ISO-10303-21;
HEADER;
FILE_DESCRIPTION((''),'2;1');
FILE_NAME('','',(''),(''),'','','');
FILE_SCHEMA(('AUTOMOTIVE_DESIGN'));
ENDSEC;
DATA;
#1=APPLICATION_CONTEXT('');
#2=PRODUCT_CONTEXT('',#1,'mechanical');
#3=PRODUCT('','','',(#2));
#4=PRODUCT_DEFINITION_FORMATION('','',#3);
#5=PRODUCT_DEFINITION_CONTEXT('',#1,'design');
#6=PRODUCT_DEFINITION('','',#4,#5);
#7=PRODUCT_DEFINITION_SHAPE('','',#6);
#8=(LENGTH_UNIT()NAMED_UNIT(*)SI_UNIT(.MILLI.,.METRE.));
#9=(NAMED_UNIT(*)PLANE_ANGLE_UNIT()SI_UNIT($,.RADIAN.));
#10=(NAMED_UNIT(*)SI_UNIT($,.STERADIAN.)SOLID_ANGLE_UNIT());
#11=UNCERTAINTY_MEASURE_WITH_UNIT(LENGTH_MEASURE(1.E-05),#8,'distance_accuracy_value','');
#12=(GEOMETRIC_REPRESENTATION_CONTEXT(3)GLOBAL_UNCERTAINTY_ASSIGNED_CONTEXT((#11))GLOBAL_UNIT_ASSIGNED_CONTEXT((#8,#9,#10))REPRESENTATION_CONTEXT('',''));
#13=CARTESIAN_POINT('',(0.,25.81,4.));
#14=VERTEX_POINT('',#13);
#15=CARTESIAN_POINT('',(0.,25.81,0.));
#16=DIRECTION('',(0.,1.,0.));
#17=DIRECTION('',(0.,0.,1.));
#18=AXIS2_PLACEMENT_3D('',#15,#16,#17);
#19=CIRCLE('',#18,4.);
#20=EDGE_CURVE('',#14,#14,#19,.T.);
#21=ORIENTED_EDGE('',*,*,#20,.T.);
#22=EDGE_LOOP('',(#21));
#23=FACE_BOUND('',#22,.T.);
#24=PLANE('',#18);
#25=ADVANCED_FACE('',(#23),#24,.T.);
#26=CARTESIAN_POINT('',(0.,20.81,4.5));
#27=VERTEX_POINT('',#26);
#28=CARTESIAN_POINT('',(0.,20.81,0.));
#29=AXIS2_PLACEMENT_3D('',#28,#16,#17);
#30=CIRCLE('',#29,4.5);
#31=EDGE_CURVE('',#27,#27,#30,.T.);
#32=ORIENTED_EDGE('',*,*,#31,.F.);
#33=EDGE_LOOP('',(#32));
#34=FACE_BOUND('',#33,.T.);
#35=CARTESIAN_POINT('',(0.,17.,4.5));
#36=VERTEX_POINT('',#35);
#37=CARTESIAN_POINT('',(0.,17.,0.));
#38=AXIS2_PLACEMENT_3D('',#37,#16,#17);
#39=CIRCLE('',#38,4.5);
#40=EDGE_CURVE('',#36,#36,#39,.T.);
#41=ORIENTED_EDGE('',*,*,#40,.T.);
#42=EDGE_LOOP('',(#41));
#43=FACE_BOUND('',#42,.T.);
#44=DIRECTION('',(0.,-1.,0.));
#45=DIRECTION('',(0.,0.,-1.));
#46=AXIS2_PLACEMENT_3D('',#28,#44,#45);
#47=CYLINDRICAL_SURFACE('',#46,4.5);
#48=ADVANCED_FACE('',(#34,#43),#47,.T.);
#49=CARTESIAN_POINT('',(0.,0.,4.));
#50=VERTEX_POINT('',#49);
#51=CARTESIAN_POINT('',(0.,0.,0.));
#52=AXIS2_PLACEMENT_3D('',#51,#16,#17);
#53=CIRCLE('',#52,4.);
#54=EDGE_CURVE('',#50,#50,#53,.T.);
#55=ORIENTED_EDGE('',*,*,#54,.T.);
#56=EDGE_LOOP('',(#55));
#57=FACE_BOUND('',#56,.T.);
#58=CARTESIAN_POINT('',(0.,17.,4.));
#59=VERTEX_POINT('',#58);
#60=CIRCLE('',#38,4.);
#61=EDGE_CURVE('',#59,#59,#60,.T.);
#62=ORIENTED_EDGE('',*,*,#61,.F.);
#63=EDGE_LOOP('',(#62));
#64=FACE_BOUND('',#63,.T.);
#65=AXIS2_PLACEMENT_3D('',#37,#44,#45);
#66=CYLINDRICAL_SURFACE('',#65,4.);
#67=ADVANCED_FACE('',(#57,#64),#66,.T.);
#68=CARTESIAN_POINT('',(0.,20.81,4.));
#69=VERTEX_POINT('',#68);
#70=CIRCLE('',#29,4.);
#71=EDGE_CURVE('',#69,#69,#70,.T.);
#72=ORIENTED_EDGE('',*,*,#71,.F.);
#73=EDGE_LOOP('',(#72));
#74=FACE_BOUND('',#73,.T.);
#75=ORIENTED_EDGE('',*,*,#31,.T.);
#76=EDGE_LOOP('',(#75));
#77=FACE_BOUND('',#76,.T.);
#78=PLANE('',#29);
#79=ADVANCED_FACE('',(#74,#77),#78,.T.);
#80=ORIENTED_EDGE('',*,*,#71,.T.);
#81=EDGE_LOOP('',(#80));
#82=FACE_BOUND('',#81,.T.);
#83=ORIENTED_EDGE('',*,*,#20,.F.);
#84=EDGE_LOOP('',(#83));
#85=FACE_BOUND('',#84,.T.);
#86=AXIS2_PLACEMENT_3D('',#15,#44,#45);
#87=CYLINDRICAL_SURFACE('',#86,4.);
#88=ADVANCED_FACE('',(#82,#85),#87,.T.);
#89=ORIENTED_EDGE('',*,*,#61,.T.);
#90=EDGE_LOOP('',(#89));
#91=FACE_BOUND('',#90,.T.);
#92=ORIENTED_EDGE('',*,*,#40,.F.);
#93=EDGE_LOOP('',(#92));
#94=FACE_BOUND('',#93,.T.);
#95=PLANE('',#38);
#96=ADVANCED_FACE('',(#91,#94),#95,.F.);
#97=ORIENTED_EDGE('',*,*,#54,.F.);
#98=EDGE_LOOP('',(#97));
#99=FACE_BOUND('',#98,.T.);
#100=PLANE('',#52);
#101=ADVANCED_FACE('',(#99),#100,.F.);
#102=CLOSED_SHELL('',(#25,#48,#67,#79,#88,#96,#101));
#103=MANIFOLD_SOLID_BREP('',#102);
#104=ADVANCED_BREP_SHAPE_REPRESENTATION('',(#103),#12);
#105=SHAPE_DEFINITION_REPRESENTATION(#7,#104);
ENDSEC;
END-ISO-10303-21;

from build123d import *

# Parameters (mm, degrees)
SKETCH1_R           = 4
BOSS_EXTRUDE1_DEPTH = 17
SKETCH2_R           = 4.5
BOSS_EXTRUDE2_DEPTH = 3.81
SKETCH3_R           = 4
BOSS_EXTRUDE3_DEPTH = 5


with BuildPart() as part:
    # Sketch1 → Boss-Extrude1 (new body)
    with BuildSketch(Plane(origin=(0, 0, 0), x_dir=(1, 0, 0), z_dir=(0, 1, 0))):
        Circle(SKETCH1_R)
    extrude(amount=BOSS_EXTRUDE1_DEPTH)

    # Sketch2 → Boss-Extrude2 (add)
    with BuildSketch(Plane(origin=(0, 17, 0), x_dir=(1, 0, 0), z_dir=(0, 1, 0))):
        Circle(SKETCH2_R)
    extrude(amount=BOSS_EXTRUDE2_DEPTH)

    # Sketch3 → Boss-Extrude3 (add)
    with BuildSketch(Plane(origin=(0, 20.81, 0), x_dir=(1, 0, 0), z_dir=(0, 1, 0))):
        Circle(SKETCH3_R)
    extrude(amount=BOSS_EXTRUDE3_DEPTH)


solid = part.part
